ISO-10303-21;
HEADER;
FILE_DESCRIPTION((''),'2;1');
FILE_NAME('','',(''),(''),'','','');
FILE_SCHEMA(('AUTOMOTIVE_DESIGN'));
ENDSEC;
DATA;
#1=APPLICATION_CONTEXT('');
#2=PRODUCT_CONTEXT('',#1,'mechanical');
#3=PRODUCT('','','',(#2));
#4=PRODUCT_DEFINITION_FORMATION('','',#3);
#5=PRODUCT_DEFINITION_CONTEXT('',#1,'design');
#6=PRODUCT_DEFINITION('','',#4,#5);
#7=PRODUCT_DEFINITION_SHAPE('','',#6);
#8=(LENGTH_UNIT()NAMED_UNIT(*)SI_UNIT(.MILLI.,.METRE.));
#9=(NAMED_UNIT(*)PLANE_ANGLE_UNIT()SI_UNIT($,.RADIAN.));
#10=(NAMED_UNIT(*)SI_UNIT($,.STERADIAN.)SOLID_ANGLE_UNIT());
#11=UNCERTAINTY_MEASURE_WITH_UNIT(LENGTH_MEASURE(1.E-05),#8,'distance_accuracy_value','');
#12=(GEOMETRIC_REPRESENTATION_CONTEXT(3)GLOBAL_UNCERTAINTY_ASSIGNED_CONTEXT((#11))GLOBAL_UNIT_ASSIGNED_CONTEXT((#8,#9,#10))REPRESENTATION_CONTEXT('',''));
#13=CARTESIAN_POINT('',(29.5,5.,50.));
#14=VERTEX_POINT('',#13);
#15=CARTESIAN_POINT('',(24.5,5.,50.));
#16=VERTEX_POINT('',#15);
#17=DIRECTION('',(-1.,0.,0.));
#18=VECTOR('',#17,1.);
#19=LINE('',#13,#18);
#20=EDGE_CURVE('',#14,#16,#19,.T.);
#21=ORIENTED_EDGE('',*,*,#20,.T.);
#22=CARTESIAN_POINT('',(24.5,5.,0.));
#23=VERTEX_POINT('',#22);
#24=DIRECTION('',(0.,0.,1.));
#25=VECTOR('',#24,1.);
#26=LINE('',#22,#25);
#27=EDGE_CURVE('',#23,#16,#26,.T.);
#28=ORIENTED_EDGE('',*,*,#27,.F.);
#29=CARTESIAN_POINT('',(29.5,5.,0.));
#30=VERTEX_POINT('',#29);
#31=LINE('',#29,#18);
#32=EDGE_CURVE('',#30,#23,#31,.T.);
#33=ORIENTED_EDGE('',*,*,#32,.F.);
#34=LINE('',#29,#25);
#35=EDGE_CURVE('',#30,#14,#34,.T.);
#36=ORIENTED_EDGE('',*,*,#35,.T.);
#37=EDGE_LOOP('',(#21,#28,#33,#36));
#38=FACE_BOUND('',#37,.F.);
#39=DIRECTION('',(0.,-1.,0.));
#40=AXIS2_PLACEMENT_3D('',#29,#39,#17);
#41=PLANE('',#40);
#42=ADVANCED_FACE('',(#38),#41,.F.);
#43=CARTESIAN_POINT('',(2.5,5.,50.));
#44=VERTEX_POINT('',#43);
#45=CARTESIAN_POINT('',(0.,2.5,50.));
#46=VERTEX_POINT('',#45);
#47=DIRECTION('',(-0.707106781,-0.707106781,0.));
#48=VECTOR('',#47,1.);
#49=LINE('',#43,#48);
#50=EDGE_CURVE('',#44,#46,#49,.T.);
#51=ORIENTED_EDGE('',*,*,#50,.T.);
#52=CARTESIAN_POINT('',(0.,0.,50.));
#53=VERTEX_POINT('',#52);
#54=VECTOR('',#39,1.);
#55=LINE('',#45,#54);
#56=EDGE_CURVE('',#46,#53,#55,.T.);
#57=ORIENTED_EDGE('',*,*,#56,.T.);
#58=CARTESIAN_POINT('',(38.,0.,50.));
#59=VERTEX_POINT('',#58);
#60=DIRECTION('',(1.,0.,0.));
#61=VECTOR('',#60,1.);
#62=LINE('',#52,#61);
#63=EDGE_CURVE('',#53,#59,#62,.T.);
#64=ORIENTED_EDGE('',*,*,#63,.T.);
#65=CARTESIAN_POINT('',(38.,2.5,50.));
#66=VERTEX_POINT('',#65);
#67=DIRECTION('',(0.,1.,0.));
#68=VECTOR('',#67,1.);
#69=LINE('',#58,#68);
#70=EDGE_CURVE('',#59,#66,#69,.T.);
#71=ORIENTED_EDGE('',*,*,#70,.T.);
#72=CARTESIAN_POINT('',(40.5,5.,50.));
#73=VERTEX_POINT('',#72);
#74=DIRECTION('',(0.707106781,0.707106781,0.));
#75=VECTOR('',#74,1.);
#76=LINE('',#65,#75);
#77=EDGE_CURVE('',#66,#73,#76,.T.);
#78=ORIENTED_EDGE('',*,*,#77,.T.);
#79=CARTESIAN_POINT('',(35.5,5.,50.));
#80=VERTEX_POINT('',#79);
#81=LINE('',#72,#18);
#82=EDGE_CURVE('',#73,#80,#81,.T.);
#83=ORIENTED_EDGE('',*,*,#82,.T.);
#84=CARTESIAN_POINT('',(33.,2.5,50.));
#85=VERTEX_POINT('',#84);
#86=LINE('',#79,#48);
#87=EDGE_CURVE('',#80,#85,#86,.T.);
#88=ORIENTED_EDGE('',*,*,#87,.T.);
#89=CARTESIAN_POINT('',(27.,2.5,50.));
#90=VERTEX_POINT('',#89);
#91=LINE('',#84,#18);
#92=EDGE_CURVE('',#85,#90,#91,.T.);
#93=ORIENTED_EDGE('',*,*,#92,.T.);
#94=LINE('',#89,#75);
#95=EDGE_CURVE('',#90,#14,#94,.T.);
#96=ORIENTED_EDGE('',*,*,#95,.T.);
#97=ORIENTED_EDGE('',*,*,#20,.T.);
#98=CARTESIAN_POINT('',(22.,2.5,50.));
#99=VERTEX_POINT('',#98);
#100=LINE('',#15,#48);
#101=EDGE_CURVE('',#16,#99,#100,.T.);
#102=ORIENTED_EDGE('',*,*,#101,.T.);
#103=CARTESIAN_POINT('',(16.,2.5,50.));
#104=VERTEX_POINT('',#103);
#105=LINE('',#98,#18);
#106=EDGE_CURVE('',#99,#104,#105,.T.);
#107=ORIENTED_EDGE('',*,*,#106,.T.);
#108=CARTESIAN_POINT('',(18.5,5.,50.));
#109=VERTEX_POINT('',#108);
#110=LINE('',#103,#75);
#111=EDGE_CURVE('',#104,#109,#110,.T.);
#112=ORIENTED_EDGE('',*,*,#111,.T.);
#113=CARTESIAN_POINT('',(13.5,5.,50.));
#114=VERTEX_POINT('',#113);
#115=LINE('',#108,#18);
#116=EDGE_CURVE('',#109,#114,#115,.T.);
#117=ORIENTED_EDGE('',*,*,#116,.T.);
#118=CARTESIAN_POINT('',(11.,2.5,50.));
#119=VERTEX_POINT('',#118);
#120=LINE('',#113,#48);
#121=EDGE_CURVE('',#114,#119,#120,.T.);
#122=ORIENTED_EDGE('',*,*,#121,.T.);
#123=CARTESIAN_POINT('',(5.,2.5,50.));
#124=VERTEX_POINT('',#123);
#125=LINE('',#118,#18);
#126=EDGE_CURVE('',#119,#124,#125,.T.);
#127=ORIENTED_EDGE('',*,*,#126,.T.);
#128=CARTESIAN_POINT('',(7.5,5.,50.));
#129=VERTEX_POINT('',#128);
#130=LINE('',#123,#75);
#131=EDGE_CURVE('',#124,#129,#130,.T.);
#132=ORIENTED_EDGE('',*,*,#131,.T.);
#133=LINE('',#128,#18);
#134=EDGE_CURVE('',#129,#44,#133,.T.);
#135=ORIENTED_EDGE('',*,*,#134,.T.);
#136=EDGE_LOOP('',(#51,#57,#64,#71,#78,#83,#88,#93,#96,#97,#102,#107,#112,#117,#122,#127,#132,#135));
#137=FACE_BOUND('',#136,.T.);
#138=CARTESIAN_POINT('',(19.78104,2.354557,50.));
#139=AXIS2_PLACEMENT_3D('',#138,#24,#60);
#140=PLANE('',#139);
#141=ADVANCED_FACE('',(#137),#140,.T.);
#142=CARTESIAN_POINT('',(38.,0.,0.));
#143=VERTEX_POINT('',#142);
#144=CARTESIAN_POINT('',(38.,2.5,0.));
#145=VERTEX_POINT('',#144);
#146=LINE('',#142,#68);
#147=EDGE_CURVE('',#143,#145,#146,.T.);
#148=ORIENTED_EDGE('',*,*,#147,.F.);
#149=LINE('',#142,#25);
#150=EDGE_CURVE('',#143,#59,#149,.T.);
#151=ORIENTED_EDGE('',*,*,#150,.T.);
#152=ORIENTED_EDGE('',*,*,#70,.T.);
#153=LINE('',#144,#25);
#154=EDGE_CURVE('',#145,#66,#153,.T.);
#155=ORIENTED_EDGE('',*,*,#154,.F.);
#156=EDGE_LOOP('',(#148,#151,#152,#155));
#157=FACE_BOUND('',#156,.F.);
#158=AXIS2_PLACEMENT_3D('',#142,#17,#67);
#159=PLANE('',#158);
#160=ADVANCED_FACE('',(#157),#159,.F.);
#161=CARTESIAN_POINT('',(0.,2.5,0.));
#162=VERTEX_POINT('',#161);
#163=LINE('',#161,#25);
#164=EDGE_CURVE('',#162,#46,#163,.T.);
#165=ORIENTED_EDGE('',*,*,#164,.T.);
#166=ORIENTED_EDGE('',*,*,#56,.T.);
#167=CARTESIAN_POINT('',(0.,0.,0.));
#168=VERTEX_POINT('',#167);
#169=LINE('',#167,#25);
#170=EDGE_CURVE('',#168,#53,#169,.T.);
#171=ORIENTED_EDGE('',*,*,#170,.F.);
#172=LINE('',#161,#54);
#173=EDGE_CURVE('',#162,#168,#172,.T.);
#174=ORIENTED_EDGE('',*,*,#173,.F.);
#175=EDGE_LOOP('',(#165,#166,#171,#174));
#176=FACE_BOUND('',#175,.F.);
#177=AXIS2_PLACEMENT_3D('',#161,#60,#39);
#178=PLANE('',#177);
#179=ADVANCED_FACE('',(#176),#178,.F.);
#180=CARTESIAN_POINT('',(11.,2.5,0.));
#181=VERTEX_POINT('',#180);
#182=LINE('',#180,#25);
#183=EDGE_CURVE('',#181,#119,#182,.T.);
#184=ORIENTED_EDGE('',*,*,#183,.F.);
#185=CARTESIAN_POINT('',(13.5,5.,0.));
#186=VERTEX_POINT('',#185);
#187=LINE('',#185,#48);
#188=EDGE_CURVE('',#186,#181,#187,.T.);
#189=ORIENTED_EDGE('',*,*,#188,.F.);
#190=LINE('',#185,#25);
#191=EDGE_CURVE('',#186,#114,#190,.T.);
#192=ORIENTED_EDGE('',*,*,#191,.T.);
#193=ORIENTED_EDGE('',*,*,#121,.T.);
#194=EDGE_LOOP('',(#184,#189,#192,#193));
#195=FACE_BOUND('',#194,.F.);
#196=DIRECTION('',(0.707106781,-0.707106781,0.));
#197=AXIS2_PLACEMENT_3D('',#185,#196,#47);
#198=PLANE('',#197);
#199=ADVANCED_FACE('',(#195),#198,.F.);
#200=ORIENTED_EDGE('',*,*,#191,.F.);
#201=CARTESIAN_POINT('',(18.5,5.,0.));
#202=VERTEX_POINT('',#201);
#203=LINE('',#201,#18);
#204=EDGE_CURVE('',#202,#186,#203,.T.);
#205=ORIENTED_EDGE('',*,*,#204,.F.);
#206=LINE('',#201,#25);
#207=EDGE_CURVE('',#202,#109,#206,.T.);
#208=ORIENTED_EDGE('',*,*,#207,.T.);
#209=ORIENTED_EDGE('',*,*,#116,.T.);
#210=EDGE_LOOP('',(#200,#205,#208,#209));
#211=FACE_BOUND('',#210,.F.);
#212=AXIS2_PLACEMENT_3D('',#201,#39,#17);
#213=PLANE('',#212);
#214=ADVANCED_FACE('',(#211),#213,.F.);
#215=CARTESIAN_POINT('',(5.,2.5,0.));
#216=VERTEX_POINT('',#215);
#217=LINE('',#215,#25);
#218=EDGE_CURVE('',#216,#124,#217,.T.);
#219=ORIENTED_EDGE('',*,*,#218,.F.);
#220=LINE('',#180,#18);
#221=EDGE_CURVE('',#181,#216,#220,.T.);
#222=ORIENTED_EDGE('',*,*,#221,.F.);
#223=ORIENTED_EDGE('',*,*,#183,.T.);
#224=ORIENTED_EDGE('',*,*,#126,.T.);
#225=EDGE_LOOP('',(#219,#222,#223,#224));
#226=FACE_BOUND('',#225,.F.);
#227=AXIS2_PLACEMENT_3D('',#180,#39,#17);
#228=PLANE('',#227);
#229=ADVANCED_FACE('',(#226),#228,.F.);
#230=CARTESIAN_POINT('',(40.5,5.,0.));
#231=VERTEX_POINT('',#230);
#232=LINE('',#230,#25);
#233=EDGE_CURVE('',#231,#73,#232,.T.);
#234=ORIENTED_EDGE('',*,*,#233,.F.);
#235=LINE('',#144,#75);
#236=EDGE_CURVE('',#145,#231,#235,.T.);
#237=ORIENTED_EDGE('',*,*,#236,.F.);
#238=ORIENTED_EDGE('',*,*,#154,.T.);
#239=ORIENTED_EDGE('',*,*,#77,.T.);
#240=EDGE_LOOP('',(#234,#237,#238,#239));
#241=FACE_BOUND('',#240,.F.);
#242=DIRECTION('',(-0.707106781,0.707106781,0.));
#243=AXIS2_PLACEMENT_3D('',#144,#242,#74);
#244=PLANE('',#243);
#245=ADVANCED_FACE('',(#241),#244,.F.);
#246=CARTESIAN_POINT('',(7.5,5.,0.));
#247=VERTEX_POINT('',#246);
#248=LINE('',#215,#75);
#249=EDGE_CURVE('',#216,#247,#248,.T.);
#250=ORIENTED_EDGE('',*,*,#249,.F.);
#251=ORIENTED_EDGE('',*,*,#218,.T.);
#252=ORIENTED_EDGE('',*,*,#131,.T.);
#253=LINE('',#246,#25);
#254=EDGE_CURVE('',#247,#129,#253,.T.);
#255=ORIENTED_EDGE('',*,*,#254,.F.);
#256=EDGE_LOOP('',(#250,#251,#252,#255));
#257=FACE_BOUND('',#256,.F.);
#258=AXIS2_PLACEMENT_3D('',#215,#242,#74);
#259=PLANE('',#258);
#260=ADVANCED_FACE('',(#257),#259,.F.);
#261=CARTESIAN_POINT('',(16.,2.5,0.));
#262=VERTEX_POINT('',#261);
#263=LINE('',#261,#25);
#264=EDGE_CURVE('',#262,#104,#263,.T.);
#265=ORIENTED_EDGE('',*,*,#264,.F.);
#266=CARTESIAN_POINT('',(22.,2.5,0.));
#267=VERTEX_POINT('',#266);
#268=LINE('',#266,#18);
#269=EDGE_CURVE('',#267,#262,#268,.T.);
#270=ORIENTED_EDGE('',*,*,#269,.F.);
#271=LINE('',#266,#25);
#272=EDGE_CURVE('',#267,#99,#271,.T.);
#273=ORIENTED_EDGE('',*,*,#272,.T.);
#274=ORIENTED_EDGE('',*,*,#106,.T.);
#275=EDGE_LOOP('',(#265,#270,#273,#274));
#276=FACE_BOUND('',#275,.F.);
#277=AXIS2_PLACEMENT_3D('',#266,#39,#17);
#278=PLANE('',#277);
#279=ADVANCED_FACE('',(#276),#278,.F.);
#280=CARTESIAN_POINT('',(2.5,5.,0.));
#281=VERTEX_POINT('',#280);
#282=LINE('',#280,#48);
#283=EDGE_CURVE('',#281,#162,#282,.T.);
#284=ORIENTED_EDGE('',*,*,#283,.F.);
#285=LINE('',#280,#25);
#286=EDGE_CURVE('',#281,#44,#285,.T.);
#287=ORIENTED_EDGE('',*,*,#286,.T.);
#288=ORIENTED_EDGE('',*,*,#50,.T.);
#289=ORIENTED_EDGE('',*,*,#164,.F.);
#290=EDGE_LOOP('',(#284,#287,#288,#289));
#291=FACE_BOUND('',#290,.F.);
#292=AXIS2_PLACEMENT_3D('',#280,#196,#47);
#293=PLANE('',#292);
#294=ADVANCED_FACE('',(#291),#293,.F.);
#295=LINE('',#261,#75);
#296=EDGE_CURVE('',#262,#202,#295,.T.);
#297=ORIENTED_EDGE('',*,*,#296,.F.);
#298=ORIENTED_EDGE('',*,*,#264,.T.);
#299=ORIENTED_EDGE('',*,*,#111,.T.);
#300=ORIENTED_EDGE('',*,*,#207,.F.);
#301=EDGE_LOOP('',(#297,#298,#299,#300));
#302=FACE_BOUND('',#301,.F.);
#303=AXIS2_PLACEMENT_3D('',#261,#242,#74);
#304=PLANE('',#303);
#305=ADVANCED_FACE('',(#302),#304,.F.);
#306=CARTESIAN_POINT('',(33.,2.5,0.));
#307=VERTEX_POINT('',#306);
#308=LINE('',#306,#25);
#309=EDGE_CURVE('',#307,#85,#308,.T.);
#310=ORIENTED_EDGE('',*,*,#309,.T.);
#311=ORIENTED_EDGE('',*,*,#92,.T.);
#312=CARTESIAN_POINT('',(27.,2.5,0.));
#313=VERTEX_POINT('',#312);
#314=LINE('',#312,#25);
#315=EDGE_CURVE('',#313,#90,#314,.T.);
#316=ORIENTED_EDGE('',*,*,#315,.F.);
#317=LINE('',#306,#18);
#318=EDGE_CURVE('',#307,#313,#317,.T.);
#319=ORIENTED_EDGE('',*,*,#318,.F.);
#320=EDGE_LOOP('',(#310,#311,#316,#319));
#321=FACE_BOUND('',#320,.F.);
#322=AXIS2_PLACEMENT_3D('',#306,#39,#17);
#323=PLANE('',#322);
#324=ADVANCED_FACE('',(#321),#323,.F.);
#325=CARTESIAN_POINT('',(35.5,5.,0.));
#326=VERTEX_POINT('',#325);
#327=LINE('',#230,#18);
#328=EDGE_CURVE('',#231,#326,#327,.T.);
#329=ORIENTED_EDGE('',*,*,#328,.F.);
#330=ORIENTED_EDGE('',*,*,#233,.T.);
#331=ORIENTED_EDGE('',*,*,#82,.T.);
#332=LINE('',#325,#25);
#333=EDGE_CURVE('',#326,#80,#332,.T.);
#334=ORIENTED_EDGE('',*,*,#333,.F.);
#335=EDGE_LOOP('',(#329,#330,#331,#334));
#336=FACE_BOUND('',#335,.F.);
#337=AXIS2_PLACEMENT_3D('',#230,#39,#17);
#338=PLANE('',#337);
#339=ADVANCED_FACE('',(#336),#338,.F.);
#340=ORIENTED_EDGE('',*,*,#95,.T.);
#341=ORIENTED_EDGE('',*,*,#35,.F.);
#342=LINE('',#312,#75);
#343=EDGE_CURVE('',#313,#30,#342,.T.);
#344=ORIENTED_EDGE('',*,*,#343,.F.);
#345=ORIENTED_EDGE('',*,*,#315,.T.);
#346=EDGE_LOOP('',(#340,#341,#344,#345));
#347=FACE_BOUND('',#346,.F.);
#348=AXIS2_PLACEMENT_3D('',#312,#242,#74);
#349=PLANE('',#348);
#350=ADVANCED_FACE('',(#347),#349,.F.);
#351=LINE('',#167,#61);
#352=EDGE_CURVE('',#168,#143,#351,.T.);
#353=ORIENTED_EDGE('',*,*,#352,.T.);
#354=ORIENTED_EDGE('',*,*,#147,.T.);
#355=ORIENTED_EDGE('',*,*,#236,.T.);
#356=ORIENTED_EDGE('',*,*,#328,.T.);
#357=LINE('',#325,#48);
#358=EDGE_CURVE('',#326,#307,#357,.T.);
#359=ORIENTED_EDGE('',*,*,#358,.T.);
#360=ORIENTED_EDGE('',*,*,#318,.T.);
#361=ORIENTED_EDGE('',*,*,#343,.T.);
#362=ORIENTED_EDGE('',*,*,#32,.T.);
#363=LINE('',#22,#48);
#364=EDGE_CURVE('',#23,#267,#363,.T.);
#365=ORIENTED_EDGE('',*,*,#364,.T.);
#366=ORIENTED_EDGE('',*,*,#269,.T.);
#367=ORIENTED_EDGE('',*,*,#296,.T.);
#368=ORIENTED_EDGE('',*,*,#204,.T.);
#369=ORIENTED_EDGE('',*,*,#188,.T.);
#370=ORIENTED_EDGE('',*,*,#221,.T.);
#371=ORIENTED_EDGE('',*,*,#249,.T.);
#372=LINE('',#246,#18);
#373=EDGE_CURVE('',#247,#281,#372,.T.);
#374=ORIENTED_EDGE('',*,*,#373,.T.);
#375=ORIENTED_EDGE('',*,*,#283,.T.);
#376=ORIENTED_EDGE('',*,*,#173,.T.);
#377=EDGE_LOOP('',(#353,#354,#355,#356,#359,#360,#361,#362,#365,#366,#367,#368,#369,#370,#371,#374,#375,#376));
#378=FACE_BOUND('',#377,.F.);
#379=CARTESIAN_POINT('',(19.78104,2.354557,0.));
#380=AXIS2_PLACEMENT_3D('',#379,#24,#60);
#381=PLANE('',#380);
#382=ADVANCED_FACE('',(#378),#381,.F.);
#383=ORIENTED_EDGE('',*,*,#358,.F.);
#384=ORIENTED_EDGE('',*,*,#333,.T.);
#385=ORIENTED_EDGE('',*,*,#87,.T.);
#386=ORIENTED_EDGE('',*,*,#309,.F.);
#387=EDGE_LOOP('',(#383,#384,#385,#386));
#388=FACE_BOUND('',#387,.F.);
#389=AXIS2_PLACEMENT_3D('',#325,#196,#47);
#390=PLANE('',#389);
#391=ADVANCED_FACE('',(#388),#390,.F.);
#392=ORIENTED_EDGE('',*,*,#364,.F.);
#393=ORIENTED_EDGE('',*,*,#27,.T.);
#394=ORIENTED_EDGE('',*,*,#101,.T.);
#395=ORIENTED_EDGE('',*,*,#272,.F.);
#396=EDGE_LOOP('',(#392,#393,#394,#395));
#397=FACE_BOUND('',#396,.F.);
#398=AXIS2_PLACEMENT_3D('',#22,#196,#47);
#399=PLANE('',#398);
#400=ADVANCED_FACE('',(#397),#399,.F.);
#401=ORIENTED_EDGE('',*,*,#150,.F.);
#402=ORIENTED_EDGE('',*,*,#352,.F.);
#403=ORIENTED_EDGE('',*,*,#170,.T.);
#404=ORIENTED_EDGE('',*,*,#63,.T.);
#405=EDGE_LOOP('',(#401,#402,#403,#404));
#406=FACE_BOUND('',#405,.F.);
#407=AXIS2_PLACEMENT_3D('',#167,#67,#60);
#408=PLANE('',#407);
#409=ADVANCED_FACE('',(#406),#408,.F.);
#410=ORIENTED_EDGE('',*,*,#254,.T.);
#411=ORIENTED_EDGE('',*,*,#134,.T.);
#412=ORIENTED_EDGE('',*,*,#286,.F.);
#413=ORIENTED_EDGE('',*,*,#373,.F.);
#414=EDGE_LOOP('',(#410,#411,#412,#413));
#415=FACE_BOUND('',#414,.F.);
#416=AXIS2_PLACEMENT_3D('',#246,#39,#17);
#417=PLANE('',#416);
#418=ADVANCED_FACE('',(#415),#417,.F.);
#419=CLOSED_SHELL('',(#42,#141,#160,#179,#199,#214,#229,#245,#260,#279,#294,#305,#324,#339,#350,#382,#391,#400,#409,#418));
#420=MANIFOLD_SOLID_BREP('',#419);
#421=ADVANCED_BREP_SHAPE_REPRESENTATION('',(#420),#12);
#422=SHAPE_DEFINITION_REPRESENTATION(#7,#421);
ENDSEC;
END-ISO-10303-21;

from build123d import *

# Parameters (mm, degrees)
PAD_DEPTH = 50


with BuildPart() as part:
    # Sketch → Pad (new body)
    with BuildSketch(Plane.XY):
        Polygon((0, 0), (38, 0), (38, 2.5), (40.5, 5), (35.5, 5), (33, 2.5), (27, 2.5), (29.5, 5), (24.5, 5), (22, 2.5), (16, 2.5), (18.5, 5), (13.5, 5), (11, 2.5), (5, 2.5), (7.5, 5), (2.5, 5), (0, 2.5), align=None)
    extrude(amount=PAD_DEPTH)


solid = part.part
